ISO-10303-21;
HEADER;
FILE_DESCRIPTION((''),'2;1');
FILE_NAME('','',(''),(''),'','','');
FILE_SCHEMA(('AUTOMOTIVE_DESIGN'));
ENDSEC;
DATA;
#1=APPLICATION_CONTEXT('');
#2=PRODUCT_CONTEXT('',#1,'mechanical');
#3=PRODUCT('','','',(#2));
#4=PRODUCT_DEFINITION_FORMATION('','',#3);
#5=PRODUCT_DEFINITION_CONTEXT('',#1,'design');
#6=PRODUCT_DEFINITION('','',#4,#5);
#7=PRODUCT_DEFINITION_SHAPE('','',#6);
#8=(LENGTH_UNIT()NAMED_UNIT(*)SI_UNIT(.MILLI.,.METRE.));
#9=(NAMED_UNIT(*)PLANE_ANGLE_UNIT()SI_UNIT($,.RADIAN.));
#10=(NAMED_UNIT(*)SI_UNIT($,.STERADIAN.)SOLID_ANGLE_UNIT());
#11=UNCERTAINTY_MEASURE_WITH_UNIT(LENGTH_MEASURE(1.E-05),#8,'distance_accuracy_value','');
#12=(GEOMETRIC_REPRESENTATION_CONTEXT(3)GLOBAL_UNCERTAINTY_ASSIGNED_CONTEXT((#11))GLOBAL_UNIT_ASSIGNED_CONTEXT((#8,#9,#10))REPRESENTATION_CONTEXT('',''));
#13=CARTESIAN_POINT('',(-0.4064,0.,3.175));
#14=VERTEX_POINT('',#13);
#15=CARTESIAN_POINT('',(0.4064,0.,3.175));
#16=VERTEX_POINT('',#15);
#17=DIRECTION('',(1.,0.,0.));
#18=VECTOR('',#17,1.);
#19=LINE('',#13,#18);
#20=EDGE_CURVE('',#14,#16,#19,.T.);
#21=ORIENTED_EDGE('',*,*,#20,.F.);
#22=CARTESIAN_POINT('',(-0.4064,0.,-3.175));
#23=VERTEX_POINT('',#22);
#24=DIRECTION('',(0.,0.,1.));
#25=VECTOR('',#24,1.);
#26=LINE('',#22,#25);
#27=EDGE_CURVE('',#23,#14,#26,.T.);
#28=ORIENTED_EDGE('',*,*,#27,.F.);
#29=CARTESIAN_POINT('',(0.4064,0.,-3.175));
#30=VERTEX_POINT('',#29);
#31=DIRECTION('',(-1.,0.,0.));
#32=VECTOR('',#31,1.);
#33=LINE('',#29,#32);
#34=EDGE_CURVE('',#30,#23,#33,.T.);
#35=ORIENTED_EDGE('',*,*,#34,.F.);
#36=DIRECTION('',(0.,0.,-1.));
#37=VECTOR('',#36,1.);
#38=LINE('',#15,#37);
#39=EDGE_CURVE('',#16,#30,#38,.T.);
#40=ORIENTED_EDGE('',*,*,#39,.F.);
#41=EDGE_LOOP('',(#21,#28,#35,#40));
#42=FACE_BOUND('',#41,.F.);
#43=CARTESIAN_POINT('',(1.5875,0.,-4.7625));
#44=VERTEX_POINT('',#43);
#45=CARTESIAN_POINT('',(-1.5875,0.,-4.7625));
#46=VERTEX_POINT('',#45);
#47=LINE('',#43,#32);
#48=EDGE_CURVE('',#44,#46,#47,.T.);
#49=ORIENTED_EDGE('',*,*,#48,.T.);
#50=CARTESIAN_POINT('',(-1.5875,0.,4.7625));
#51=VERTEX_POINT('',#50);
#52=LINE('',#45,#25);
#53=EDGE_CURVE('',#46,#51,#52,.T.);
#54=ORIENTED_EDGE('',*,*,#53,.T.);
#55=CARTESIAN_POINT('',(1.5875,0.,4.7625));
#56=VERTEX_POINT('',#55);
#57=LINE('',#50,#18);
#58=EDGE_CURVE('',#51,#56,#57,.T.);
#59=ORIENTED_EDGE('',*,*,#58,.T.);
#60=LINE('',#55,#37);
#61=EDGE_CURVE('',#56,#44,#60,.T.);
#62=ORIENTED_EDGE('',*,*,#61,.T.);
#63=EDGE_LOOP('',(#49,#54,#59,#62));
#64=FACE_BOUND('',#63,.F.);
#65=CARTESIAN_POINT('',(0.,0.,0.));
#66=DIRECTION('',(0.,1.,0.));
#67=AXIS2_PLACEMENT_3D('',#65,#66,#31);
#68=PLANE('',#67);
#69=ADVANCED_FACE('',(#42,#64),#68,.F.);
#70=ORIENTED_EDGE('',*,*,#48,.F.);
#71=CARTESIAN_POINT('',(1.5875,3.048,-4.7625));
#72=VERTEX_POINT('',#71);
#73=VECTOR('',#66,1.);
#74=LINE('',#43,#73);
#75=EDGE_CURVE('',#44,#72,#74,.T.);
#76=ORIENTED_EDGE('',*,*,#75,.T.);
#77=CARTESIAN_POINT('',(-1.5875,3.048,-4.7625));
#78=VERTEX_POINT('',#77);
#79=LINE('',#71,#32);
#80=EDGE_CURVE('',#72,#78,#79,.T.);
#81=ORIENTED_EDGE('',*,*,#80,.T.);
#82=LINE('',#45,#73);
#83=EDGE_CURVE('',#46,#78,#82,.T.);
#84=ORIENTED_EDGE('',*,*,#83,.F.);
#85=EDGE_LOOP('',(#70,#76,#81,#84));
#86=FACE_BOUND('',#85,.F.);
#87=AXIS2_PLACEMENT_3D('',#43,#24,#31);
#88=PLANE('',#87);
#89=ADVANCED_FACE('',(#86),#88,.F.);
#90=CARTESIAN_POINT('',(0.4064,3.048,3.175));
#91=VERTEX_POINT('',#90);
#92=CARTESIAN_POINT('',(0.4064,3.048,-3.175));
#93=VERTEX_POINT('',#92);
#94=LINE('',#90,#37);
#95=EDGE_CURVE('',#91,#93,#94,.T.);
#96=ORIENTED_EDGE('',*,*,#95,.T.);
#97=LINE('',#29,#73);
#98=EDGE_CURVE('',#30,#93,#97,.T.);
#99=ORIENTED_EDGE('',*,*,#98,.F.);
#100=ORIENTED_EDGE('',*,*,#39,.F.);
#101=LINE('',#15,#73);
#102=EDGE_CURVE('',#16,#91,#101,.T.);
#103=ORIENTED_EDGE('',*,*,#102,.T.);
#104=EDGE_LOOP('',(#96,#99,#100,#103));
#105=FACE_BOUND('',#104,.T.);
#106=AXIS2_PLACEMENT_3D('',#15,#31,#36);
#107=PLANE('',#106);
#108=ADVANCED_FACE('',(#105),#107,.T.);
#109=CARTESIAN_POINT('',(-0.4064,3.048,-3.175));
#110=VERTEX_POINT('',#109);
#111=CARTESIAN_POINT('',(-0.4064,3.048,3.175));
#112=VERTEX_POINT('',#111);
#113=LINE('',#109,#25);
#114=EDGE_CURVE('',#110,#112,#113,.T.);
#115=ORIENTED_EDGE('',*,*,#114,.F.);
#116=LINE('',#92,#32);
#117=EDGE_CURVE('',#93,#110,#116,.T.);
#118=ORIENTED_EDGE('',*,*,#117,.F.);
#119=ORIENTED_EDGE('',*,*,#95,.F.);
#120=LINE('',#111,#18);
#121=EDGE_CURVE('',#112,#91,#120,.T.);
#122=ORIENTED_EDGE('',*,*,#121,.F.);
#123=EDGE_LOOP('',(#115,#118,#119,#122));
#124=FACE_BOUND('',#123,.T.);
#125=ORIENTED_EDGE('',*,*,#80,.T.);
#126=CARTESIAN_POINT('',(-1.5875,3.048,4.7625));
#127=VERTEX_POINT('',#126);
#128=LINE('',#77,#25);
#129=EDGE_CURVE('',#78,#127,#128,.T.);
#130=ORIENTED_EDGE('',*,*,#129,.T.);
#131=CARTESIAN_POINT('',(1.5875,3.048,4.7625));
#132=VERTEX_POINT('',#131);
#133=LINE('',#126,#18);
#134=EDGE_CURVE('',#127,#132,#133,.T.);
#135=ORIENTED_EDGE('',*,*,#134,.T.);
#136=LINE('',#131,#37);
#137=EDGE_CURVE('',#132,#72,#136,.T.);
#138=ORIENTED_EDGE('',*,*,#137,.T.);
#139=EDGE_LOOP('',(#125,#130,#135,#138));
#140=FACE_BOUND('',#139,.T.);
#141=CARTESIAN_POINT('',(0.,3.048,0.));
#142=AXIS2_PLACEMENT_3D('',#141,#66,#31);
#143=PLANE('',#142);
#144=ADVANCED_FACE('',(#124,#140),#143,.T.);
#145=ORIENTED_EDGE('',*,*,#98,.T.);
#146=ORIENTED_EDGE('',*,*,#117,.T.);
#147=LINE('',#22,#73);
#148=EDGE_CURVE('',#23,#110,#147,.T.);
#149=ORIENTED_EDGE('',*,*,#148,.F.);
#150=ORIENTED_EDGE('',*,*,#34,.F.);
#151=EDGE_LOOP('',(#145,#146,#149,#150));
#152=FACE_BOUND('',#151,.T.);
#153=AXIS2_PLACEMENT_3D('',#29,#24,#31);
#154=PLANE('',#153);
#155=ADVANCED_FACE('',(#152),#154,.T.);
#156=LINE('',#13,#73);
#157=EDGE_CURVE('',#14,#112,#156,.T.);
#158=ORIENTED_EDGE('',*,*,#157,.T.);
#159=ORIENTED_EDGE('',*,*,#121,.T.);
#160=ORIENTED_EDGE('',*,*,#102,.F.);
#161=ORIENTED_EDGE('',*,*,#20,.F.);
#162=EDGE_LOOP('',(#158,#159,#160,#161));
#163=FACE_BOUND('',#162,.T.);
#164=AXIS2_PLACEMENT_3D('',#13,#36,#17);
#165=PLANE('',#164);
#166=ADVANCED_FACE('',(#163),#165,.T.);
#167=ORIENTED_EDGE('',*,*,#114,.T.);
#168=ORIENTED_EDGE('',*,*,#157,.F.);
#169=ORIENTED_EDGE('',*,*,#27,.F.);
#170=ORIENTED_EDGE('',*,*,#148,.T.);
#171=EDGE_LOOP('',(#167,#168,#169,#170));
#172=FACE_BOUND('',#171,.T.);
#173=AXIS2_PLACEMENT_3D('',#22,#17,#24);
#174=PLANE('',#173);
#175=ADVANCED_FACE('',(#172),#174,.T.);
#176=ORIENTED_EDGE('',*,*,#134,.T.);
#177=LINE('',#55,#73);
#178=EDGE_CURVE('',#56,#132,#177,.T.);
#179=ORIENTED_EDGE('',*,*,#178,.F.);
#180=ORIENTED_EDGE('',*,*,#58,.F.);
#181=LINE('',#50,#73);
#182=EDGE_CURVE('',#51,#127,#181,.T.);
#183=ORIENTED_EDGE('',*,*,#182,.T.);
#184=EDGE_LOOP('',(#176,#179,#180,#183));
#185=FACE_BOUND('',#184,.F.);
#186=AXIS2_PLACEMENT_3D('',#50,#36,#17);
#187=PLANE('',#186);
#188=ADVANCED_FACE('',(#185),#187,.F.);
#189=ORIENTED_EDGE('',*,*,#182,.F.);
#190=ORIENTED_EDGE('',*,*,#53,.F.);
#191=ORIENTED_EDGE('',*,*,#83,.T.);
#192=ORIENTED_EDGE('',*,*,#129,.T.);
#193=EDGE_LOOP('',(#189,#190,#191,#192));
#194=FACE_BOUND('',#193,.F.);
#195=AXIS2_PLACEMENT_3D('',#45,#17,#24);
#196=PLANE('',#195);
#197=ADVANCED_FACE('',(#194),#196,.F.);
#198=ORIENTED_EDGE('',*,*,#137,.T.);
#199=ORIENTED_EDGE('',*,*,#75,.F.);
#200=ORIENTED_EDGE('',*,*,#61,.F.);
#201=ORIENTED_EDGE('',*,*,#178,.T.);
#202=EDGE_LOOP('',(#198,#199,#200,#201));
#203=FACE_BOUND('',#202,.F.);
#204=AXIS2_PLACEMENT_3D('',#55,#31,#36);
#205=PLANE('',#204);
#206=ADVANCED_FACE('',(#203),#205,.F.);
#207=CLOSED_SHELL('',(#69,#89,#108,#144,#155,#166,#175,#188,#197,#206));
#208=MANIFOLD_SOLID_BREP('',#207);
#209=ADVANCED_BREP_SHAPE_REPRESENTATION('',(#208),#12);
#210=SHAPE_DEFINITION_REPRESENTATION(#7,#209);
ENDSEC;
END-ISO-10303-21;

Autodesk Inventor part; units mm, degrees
ref_plane "YZ Plane" through (0, 0, 0) normal (1, 0, 0) x (0, 1, 0)
ref_plane "XZ Plane" through (0, 0, 0) normal (0, 1, 0) x (-1, 0, 0)
ref_plane "XY Plane" through (0, 0, 0) normal (0, 0, 1) x (1, 0, 0)
sketch "Sketch1" plane through (0, 0, 0) normal (0, 1, 0) x (-1, 0, 0)
  line L0 (-1.5875, -4.7625) -> (1.5875, -4.7625)
  line L1 (1.5875, -4.7625) -> (1.5875, 4.7625)
  line L2 (1.5875, 4.7625) -> (-1.5875, 4.7625)
  line L3 (-1.5875, 4.7625) -> (-1.5875, -4.7625)
  line L4 (-1.5875, -4.7625) -> (1.5875, 4.7625) construction
  line L5 (1.5875, -4.7625) -> (-1.5875, 4.7625) construction
  line L6 (-0.4064, -3.175) -> (0.4064, -3.175)
  line L7 (0.4064, -3.175) -> (0.4064, 3.175)
  line L8 (0.4064, 3.175) -> (-0.4064, 3.175)
  line L9 (-0.4064, 3.175) -> (-0.4064, -3.175)
  line L10 (-0.4064, -3.175) -> (0.4064, 3.175) construction
  line L11 (0.4064, -3.175) -> (-0.4064, 3.175) construction
  point P0 (0, 0)
  dimension "d0" = 3.175
  dimension "d1" = 9.525
  dimension "d2" = 0.8128
  dimension "d3" = 6.35
extrude "Extrusion1" add sketch "Sketch1" along normal blind 3.048
